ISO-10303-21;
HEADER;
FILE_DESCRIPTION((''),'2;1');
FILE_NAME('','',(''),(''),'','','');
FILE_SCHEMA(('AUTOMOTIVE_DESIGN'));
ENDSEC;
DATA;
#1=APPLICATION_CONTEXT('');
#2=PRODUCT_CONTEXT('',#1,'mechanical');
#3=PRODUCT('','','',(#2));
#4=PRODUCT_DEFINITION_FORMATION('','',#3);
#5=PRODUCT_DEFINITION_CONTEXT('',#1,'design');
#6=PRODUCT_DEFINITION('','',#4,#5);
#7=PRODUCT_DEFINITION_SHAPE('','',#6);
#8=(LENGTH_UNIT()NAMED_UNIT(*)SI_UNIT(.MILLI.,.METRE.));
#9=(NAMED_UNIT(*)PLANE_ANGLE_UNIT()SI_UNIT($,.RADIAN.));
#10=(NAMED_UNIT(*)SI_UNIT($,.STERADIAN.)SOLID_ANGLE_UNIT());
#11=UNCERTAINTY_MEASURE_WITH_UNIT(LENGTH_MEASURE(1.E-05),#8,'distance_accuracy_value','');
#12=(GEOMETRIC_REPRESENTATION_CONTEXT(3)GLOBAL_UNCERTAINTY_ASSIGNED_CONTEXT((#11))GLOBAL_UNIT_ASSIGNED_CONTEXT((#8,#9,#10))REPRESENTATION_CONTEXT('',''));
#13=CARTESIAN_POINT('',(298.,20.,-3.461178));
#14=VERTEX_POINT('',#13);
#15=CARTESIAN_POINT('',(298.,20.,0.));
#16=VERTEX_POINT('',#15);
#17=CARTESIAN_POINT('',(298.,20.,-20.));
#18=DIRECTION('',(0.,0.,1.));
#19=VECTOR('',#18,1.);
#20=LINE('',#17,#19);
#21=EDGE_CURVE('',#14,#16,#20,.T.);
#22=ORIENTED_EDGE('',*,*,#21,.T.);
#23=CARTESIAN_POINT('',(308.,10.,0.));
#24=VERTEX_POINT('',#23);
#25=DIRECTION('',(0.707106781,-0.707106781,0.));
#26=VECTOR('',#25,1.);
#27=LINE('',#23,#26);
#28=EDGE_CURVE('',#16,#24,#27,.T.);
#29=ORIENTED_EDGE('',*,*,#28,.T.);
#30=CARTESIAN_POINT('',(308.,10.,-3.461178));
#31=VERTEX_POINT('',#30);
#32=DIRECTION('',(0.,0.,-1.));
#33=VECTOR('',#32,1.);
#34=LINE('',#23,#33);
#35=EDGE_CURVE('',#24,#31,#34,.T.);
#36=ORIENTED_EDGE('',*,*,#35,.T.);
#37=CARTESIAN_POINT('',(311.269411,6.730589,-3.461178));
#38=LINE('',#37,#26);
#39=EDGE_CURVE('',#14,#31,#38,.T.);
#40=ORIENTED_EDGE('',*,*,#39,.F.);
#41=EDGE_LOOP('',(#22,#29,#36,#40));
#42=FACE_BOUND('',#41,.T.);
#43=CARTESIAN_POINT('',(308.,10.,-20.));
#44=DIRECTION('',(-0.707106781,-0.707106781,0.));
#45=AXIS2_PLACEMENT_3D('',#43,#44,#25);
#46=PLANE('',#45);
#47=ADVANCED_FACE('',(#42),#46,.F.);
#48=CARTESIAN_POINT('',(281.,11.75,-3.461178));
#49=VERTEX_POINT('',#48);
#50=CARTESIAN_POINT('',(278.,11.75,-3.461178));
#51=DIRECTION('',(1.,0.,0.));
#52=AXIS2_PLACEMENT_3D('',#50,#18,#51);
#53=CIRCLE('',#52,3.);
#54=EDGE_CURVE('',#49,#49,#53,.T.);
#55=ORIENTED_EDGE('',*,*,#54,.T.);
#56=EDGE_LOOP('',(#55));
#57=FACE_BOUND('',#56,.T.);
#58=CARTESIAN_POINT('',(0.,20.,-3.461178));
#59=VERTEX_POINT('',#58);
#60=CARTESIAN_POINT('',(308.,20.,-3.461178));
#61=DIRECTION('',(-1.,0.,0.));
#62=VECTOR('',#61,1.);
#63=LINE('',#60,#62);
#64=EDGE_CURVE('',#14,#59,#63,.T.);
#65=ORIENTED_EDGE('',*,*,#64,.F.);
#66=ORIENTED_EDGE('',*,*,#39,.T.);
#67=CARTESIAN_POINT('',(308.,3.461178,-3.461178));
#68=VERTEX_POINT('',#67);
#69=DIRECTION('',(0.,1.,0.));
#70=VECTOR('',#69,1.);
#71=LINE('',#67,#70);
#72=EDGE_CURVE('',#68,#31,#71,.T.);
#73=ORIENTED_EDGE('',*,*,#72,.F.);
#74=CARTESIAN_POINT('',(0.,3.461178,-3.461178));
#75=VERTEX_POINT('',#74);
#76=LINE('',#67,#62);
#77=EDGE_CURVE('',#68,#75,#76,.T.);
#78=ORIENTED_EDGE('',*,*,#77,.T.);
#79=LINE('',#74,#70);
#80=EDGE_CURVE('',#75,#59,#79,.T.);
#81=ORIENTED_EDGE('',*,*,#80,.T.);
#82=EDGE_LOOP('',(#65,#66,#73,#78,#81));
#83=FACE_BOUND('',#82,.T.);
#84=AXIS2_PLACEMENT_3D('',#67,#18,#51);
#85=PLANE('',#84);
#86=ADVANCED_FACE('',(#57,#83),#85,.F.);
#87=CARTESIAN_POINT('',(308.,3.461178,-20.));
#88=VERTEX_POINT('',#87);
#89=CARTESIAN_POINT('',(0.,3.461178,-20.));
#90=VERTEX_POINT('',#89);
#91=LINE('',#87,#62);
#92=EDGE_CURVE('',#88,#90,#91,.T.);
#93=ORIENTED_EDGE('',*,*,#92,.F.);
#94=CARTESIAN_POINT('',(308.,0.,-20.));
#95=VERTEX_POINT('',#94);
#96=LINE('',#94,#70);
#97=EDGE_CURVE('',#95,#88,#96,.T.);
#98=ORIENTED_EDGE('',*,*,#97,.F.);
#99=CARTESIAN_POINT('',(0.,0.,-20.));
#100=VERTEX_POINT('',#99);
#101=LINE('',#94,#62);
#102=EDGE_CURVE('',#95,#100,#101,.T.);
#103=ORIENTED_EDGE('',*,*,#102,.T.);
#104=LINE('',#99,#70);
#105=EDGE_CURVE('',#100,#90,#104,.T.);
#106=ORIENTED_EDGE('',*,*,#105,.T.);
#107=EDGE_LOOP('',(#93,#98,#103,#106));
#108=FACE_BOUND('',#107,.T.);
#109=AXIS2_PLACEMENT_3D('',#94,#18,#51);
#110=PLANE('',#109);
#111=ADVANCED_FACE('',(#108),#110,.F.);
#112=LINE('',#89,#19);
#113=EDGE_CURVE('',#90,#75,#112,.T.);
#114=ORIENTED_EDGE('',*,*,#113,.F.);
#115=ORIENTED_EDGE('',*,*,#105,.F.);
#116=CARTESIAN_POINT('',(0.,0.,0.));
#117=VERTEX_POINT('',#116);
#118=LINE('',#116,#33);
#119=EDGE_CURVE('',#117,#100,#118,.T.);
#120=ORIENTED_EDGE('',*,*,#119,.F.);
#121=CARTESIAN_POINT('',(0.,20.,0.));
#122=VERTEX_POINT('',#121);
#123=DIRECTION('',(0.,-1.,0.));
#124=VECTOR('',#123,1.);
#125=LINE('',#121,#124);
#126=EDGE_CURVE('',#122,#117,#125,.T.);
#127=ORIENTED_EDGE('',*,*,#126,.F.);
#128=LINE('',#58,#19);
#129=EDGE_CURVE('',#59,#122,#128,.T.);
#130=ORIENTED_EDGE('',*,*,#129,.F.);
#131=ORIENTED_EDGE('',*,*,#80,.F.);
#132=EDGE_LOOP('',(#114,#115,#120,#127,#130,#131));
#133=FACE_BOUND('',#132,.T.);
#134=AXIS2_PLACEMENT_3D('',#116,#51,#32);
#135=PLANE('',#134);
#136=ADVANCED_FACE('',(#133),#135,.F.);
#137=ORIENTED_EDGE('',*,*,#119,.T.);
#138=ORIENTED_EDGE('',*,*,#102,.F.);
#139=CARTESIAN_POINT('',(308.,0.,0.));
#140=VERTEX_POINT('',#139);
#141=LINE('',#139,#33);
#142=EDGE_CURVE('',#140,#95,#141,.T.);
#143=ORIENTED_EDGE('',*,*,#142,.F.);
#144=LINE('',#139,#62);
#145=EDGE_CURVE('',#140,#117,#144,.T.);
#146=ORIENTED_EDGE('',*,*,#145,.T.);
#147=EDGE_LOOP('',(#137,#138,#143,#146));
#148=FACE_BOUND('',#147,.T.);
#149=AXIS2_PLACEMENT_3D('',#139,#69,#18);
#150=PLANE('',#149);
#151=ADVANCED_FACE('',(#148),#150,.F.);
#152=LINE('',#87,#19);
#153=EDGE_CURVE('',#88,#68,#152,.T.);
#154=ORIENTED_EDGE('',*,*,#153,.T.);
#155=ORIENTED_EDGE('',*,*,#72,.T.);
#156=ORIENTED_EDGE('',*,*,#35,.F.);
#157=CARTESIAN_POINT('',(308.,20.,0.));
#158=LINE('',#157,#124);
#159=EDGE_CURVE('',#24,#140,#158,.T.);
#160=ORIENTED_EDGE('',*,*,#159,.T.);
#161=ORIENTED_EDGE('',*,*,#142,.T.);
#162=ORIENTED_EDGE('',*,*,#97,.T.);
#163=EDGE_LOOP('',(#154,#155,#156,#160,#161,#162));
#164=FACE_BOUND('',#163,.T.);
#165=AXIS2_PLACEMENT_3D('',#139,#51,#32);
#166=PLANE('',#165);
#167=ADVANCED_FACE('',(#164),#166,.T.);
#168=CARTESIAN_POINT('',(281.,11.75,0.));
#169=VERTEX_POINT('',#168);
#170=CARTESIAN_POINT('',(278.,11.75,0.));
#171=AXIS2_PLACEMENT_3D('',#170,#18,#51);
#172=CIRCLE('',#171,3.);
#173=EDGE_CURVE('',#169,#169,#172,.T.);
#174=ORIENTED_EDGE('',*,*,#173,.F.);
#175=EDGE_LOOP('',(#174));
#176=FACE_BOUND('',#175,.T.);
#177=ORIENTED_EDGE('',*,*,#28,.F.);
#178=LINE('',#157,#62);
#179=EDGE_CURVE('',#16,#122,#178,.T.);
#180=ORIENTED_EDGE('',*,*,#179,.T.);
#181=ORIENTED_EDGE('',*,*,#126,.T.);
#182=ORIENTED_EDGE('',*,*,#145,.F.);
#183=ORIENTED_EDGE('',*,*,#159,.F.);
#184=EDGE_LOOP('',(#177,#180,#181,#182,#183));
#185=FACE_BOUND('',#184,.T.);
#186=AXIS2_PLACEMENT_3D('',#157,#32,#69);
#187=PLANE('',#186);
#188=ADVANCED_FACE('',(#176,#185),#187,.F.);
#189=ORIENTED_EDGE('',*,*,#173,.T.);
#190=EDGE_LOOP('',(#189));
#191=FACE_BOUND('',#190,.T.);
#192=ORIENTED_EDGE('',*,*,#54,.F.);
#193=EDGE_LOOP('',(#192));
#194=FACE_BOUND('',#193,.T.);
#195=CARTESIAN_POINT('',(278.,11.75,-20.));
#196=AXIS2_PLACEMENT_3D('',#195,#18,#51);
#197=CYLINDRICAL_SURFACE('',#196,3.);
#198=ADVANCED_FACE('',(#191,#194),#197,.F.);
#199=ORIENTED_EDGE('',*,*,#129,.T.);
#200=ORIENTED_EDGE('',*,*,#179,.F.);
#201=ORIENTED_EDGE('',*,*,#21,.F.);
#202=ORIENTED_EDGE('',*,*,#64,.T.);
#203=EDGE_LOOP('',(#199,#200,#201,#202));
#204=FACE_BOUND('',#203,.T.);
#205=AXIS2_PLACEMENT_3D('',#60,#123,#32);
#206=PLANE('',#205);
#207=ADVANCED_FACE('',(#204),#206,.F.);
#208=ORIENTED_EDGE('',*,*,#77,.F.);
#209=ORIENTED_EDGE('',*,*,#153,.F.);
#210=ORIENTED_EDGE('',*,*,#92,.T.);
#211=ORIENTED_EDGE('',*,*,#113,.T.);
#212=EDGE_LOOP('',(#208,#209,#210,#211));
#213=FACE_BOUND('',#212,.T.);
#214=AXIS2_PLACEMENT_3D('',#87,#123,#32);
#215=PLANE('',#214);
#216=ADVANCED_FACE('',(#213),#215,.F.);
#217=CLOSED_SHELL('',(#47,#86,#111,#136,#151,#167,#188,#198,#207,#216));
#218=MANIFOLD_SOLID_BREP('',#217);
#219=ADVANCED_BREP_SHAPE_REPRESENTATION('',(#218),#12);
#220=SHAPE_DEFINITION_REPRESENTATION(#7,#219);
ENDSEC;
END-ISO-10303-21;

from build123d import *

# Parameters (mm, degrees)
BOSS_EXTRUDE1_DEPTH = 308
SKETCH2_R           = 3
CUT_EXTRUDE1_DEPTH  = 310.295974756


with BuildPart() as part:
    # Sketch1 → Boss-Extrude1 (new body)
    with BuildSketch(Plane(origin=(0, 0, 0), x_dir=(0, 0, -1), z_dir=(1, 0, 0))):
        Polygon((0, 0), (20, 0), (20, 3.461178467), (3.461178467, 3.461178467), (3.461178467, 20), (0, 20), align=None)
    extrude(amount=BOSS_EXTRUDE1_DEPTH)

    # Sketch2 → Cut-Extrude1 (cut, through all)
    with BuildSketch(Plane.XY):
        with Locations((278, 11.75)):
            Circle(SKETCH2_R)
        Polygon((308, 10), (298, 20), (308, 20), align=None)
    extrude(amount=-CUT_EXTRUDE1_DEPTH, mode=Mode.SUBTRACT)


solid = part.part
